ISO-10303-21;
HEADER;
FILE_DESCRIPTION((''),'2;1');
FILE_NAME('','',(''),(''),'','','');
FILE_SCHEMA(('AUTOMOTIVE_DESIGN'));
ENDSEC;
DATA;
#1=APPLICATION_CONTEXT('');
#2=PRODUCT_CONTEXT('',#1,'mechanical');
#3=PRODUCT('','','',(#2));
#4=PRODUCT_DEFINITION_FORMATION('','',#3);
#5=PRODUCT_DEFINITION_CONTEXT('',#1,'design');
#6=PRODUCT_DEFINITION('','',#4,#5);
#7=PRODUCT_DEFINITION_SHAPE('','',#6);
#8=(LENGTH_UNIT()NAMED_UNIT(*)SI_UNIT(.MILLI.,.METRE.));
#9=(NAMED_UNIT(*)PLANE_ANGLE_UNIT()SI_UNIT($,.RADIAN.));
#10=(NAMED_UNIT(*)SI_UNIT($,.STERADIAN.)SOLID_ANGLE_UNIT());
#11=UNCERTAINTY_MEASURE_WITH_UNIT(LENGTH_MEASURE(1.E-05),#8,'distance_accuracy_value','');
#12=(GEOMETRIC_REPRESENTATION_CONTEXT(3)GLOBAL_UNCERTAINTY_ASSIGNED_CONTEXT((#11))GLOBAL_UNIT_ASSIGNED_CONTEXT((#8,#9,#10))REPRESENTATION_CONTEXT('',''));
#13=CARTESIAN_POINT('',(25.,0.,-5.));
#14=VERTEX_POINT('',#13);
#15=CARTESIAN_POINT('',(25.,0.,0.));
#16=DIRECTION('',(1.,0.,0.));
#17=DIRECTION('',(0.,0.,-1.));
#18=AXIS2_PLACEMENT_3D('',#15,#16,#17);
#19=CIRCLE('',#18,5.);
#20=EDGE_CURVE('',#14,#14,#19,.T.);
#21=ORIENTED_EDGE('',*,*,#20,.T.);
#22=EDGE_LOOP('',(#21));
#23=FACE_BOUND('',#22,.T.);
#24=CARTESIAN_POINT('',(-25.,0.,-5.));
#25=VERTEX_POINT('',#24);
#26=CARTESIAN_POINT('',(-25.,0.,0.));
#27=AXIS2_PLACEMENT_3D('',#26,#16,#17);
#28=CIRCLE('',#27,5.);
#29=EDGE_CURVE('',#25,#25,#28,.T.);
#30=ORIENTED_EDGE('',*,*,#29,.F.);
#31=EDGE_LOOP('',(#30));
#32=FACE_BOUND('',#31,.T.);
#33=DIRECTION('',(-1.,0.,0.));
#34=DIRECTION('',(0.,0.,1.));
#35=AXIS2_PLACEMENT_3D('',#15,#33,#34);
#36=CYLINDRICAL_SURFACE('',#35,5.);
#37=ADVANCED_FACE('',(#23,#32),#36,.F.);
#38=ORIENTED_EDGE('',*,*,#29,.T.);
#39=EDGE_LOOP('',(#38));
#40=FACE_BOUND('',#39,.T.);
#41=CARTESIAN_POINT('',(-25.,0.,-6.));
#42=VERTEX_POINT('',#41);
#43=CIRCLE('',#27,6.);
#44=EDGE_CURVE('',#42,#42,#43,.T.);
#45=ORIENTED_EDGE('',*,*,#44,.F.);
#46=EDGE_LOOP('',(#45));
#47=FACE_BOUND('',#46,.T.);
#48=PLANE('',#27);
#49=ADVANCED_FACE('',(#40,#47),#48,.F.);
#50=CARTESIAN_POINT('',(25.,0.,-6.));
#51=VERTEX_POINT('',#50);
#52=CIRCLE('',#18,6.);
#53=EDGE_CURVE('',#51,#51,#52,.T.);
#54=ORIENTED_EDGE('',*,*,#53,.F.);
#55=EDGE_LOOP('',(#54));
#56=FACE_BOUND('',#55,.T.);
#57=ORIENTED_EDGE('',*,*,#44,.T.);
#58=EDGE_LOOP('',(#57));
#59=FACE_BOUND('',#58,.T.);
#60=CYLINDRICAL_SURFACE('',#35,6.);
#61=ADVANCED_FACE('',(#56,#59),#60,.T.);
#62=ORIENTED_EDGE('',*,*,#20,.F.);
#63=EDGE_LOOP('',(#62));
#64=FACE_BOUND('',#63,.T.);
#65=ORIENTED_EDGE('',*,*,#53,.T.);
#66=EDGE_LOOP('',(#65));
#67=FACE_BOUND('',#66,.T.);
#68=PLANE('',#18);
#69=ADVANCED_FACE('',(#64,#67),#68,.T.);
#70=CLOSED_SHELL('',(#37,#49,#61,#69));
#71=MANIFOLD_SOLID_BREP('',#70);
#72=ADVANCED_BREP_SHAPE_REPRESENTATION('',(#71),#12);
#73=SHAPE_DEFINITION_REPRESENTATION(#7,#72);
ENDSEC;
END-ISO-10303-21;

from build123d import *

# Parameters (mm, degrees)
SKETCH1_R      = 6
SKETCH1_R_2    = 5
EXTRUDE1_DEPTH = 25


with BuildPart() as part:
    # Sketch1 → Extrude1 (new, symmetric)
    with BuildSketch(Plane(origin=(0, 0, 0), x_dir=(0, 0, -1), z_dir=(1, 0, 0))):
        Circle(SKETCH1_R)
        Circle(SKETCH1_R_2, mode=Mode.SUBTRACT)
    extrude(amount=EXTRUDE1_DEPTH, both=True)


solid = part.part
